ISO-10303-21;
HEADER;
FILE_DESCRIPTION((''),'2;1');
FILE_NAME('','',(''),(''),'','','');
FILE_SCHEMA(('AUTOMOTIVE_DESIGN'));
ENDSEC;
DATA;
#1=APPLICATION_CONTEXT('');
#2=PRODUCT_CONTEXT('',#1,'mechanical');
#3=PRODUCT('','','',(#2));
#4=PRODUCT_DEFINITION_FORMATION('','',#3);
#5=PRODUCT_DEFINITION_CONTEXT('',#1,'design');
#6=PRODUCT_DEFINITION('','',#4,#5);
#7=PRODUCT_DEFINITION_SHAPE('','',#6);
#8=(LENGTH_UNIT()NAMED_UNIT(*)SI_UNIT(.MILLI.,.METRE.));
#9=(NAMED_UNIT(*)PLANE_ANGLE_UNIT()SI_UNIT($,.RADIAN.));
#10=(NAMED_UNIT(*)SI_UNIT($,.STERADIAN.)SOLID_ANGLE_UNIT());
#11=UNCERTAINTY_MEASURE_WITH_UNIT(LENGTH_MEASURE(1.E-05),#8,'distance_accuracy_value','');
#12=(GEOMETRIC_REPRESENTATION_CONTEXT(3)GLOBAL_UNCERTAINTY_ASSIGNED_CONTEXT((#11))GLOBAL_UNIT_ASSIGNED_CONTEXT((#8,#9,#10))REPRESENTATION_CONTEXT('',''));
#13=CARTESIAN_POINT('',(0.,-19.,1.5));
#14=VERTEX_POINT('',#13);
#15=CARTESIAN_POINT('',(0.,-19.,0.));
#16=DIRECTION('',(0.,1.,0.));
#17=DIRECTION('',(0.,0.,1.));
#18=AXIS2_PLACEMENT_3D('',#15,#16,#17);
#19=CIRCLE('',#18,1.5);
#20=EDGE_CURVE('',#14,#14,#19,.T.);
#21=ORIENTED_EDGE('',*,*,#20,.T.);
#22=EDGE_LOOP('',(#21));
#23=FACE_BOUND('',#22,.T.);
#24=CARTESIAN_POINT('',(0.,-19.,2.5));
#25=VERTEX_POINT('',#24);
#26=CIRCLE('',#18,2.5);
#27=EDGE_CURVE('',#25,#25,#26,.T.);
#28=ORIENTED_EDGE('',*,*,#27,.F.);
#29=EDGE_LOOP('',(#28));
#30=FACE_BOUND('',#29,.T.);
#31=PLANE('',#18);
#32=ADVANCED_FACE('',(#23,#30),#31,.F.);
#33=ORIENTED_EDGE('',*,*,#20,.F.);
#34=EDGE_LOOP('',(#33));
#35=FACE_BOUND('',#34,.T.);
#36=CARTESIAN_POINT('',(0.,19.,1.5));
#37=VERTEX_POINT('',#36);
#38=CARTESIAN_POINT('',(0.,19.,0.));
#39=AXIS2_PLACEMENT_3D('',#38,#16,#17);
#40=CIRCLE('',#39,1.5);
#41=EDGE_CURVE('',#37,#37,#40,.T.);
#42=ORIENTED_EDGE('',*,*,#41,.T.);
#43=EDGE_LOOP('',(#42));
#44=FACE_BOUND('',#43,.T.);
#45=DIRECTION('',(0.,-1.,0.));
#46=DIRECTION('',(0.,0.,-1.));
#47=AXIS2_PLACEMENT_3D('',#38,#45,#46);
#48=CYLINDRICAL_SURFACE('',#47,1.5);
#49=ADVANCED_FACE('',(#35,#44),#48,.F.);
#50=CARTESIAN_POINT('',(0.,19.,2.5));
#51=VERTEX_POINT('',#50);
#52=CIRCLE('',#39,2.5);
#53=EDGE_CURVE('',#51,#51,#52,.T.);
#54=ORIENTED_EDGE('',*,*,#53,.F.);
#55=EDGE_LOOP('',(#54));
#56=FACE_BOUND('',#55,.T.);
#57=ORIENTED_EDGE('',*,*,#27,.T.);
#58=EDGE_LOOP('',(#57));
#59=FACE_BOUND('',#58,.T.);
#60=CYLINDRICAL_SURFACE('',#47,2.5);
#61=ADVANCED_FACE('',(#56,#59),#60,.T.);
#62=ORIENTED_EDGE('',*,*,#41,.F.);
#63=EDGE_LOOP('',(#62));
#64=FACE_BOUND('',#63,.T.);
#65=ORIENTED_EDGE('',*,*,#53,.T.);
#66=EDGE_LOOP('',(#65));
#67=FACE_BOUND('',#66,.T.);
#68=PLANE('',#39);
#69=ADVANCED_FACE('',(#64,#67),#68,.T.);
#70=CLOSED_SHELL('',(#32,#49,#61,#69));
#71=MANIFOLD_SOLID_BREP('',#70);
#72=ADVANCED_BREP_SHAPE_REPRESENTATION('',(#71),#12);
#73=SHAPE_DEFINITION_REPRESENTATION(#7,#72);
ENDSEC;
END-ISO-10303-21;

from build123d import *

# Parameters (mm, degrees)
SKETCH_1_R      = 2.5
SKETCH_1_R_2    = 1.5
EXTRUDE_1_DEPTH = 19


with BuildPart() as part:
    # 草图1 → 凸台-拉伸1 (new body, symmetric)
    with BuildSketch(Plane(origin=(0, 0, 0), x_dir=(1, 0, 0), z_dir=(0, 1, 0))):
        Circle(SKETCH_1_R)
        Circle(SKETCH_1_R_2, mode=Mode.SUBTRACT)
    extrude(amount=EXTRUDE_1_DEPTH, both=True)


solid = part.part
